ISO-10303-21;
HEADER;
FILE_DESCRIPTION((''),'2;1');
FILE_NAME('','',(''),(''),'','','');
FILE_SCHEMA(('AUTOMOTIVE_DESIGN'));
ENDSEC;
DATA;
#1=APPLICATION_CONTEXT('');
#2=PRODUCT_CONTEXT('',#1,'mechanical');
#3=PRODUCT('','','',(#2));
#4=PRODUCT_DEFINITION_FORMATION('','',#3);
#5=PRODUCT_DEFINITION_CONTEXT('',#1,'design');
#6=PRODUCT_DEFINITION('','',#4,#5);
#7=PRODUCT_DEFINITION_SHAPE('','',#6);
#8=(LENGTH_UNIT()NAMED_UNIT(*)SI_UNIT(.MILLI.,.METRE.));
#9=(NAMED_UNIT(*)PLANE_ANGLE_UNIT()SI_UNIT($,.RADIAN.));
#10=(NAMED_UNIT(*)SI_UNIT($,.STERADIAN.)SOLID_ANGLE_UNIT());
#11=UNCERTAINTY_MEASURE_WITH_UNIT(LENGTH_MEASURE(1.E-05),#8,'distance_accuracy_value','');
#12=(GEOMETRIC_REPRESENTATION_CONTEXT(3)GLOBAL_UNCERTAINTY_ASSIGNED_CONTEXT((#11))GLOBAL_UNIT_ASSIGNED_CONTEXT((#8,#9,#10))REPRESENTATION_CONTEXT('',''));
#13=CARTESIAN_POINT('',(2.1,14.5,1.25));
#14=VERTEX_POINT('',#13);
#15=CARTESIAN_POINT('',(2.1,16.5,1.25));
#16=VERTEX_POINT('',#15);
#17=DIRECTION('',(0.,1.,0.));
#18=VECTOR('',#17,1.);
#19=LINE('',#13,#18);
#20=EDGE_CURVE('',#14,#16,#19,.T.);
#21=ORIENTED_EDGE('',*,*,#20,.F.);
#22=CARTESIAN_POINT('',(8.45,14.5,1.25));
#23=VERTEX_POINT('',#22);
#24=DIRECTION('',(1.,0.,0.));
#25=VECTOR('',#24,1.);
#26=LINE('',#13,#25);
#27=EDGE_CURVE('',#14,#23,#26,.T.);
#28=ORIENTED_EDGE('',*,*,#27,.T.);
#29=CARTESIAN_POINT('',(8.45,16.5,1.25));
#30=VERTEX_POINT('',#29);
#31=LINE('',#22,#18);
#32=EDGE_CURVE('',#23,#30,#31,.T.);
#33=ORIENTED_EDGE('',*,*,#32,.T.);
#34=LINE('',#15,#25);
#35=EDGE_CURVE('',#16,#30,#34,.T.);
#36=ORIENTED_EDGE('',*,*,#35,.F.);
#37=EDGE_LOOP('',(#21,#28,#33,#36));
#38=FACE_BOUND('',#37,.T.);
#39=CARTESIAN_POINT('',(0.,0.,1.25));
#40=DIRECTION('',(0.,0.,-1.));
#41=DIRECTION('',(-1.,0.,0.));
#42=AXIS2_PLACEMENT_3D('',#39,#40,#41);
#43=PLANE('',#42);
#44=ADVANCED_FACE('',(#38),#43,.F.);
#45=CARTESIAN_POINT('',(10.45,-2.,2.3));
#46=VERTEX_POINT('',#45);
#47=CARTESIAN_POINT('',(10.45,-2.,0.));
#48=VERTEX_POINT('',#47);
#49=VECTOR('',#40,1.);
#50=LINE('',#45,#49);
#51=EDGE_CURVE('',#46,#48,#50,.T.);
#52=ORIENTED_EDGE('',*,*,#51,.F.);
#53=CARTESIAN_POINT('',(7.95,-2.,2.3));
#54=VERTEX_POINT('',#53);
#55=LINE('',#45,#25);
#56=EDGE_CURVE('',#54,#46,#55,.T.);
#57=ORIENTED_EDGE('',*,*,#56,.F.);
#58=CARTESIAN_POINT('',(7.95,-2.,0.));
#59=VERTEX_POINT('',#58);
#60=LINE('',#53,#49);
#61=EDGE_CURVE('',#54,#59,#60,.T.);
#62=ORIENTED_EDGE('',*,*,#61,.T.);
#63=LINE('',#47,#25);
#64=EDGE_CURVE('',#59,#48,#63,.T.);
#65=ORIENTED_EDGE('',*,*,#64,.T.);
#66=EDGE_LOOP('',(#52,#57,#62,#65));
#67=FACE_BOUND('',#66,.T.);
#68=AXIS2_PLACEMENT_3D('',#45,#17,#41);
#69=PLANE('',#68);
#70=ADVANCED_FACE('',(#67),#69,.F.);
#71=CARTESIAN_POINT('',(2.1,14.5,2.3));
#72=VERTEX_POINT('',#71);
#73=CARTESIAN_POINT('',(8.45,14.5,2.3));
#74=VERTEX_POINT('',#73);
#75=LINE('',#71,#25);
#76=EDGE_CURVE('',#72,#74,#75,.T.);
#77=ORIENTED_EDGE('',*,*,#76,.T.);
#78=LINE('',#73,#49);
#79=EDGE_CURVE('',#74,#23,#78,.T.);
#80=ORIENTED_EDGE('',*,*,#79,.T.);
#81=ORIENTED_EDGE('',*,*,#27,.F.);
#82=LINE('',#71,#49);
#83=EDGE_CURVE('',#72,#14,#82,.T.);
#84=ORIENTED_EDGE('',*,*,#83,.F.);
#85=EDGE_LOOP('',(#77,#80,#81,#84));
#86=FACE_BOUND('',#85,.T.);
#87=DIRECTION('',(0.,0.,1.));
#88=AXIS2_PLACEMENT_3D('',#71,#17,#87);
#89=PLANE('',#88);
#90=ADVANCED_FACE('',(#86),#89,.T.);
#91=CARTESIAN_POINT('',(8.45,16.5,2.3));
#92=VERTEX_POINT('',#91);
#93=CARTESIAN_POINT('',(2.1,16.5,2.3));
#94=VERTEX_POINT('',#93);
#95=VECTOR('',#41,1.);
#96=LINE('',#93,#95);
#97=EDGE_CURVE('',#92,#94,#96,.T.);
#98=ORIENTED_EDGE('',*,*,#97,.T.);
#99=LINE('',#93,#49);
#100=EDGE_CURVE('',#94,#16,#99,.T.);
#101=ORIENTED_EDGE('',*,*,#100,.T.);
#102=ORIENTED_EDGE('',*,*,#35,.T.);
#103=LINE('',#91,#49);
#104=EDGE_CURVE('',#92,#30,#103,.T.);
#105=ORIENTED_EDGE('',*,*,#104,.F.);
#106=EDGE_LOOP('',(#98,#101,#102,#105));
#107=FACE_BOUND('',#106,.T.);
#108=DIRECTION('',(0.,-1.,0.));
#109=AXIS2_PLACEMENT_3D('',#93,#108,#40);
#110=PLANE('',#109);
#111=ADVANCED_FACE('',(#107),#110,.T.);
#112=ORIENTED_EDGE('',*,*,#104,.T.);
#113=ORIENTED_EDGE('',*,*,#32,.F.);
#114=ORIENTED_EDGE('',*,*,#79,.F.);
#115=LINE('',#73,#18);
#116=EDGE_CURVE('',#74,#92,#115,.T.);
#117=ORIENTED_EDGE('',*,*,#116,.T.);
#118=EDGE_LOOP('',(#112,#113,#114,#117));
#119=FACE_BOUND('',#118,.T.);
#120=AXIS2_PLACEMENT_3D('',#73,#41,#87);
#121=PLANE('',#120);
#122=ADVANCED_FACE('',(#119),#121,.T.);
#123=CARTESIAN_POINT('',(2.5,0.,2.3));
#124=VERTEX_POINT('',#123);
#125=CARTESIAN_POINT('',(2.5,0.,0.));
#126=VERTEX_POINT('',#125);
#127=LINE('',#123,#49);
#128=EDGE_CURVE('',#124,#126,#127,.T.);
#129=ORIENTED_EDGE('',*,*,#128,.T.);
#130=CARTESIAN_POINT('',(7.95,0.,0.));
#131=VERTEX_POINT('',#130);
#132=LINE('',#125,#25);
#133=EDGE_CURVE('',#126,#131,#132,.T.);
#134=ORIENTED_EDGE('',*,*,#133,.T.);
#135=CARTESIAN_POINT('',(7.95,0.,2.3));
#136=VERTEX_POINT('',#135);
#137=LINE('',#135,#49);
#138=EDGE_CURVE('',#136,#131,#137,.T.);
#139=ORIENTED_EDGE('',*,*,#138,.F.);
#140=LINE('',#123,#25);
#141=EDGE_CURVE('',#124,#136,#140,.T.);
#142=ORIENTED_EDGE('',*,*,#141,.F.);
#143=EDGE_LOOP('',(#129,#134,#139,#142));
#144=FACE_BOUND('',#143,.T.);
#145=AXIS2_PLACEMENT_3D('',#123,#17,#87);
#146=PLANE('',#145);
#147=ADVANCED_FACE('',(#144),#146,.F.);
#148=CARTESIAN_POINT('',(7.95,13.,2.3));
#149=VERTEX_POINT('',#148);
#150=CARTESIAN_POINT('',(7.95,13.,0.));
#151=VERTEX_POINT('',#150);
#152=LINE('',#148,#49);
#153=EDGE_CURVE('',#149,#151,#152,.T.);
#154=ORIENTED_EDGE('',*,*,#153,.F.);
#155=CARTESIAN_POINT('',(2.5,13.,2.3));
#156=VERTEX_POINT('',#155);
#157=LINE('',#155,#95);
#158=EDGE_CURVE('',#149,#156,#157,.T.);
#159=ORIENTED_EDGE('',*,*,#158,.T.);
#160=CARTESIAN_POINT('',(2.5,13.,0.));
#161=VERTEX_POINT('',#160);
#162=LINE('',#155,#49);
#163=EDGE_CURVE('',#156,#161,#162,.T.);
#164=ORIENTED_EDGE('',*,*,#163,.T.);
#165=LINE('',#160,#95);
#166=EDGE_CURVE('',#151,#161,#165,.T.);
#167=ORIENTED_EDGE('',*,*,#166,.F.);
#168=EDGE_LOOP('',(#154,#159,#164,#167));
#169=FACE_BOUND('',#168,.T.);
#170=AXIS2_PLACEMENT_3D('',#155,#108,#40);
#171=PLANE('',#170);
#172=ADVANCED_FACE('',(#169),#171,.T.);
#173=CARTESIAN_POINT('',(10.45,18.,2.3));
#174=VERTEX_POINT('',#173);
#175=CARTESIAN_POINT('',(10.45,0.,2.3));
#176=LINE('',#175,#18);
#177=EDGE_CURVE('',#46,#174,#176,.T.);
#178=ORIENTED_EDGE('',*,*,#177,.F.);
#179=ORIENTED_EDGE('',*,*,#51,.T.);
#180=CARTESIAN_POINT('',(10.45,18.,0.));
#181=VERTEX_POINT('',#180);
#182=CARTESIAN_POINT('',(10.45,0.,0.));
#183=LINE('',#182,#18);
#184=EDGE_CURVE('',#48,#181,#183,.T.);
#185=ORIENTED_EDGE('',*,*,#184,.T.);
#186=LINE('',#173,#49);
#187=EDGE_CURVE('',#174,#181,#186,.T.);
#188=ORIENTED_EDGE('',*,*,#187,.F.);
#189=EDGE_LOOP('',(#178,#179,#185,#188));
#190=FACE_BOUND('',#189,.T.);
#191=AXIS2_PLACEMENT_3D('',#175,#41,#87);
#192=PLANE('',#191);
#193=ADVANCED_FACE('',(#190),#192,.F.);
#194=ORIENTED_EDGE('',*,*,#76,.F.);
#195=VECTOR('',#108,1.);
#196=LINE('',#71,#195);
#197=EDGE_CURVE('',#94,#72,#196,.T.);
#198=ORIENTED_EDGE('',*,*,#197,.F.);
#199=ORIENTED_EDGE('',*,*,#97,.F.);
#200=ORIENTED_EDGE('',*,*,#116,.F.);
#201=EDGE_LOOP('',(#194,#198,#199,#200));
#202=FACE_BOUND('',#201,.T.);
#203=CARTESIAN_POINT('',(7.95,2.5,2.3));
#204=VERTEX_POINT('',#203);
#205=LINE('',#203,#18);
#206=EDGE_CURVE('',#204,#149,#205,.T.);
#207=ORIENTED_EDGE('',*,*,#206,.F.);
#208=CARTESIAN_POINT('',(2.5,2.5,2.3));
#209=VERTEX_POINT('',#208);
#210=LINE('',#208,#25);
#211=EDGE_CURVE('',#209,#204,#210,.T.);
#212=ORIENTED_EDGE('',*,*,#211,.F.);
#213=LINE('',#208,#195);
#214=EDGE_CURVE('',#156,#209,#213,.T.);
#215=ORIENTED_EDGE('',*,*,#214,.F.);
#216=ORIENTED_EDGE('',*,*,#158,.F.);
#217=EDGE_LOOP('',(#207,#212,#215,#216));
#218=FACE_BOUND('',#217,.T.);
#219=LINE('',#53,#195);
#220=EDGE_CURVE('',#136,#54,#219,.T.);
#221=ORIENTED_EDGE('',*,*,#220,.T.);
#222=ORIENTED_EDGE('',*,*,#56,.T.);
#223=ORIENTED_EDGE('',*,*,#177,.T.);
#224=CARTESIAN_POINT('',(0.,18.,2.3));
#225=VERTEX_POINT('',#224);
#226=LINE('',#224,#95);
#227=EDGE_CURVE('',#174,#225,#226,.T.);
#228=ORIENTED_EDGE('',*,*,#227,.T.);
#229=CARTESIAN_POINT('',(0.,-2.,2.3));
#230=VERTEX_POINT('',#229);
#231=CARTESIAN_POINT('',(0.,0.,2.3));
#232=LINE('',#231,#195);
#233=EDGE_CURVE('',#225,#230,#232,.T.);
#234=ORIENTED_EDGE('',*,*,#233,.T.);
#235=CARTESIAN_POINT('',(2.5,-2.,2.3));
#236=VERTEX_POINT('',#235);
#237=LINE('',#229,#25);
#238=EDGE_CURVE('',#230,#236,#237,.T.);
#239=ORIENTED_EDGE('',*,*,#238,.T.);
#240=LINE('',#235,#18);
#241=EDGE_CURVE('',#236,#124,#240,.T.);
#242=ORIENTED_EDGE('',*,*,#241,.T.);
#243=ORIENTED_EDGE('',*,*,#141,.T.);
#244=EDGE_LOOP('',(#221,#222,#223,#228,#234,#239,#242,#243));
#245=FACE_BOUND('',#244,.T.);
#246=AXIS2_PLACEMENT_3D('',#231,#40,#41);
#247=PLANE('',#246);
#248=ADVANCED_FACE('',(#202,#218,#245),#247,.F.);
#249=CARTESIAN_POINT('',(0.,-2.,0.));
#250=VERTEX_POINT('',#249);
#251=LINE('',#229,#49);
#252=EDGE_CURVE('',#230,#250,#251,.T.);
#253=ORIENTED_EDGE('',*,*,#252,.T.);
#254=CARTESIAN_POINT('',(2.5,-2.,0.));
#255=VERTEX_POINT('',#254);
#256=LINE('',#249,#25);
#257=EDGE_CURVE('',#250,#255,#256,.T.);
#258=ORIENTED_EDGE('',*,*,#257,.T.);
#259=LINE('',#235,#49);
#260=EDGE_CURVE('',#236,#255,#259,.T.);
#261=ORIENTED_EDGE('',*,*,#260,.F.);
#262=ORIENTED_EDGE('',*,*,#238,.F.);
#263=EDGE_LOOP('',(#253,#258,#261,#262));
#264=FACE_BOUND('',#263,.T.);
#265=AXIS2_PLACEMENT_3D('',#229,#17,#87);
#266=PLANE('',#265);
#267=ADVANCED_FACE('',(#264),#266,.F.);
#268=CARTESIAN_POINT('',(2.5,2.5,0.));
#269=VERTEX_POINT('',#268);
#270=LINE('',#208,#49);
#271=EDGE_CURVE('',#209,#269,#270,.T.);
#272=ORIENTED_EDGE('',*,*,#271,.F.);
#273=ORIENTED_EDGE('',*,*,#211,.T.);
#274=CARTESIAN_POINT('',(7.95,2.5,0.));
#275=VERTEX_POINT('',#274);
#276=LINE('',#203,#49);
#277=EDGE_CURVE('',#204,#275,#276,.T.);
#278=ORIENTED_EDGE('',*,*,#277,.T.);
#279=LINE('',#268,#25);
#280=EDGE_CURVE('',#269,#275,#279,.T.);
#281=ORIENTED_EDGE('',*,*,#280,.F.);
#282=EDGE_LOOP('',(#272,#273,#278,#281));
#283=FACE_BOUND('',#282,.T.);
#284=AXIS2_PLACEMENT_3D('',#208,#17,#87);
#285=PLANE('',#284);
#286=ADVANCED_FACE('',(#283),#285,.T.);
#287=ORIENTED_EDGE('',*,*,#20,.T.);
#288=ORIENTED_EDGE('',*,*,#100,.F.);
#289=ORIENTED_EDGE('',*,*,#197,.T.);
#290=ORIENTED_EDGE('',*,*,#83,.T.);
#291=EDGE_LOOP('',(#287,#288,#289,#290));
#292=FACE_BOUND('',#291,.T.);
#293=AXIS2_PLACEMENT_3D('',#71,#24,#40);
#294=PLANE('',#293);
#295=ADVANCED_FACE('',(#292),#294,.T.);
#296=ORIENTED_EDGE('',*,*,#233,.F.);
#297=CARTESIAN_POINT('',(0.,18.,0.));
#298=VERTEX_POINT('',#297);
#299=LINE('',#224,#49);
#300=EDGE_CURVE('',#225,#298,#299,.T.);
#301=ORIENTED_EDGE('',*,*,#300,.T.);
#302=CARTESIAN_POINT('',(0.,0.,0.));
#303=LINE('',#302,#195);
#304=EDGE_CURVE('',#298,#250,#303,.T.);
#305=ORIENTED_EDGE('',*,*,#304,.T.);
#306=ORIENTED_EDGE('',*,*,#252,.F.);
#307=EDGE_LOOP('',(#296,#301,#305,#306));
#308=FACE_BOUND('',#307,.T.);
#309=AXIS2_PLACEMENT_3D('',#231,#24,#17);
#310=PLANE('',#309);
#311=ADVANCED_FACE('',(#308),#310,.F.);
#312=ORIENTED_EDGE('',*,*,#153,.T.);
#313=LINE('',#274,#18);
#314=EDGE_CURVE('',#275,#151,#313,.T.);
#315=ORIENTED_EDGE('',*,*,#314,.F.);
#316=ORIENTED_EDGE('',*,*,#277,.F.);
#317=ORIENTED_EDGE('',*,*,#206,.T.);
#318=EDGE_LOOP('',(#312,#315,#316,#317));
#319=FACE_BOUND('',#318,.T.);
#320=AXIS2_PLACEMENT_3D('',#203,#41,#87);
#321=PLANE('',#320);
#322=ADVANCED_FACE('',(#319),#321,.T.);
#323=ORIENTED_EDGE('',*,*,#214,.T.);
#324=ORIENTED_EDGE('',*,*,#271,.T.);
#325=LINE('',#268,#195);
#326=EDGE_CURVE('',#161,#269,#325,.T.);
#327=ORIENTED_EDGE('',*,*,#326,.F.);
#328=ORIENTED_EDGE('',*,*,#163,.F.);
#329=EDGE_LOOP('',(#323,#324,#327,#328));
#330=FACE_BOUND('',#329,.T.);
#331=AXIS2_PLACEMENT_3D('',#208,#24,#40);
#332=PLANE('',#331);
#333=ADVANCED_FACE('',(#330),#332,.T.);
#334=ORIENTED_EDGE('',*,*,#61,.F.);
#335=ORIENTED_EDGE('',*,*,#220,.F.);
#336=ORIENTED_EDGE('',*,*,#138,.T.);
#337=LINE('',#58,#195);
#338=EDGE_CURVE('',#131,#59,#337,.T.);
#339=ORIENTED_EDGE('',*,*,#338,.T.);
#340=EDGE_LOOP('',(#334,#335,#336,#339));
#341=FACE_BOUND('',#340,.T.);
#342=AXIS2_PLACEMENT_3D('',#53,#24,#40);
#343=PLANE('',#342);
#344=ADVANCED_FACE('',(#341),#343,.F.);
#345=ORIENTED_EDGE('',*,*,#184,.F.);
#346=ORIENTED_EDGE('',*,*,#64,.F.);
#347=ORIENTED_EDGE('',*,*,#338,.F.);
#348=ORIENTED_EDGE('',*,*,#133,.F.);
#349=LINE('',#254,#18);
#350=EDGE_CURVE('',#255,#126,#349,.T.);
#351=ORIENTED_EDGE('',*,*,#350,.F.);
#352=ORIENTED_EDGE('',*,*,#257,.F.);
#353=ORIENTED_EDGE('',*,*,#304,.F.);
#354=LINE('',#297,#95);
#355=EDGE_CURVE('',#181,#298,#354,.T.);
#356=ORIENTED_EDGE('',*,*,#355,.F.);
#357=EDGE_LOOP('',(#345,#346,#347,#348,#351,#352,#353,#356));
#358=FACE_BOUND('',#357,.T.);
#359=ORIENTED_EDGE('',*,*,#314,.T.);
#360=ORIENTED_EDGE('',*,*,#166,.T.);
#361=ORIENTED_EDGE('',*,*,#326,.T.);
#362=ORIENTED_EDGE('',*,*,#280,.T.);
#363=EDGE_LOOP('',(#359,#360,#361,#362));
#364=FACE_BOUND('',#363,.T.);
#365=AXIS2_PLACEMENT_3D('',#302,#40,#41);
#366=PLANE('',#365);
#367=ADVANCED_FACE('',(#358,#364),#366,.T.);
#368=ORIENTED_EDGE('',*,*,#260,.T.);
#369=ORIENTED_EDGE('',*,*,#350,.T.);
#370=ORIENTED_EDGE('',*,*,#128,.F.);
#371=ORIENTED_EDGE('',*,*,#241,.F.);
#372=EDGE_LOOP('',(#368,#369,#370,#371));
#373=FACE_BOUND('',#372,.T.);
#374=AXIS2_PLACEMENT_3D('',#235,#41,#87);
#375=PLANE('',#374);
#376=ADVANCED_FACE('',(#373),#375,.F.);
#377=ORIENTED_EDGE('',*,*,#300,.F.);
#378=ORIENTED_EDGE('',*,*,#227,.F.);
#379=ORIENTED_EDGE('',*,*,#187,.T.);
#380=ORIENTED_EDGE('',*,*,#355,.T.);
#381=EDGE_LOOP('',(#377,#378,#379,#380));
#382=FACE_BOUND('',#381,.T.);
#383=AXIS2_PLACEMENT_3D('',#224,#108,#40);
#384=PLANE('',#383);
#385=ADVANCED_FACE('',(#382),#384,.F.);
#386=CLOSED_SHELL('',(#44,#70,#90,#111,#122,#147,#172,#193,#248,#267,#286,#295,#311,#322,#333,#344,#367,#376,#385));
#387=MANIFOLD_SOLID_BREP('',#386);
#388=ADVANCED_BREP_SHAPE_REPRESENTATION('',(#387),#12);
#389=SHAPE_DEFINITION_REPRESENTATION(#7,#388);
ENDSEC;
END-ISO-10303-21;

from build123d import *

# Parameters (mm, degrees)
SKETCH1_W           = 5.45
SKETCH1_H           = 10.5
SKETCH1_W_2         = 6.35
SKETCH1_H_2         = 2
BOSS_EXTRUDE1_DEPTH = 2.3
SKETCH1_2_W         = 6.35
SKETCH1_2_H         = 2
BOSS_EXTRUDE2_DEPTH = 1.25


with BuildPart() as part:
    # Sketch1 → Boss-Extrude1 (new body)
    with BuildSketch(Plane.XY):
        Polygon((0, 0), (0, -2), (2.5, -2), (2.5, 0), (7.95, 0), (7.95, -2), (10.45, -2), (10.45, 0), (10.45, 18), (0, 18), align=None)
        with Locations((5.225, 7.75)):
            Rectangle(SKETCH1_W, SKETCH1_H, mode=Mode.SUBTRACT)
        with Locations((5.275, 15.5)):
            Rectangle(SKETCH1_W_2, SKETCH1_H_2, mode=Mode.SUBTRACT)
    extrude(amount=BOSS_EXTRUDE1_DEPTH)

    # Sketch1<2> → Boss-Extrude2 (add)
    with BuildSketch(Plane.XY):
        with Locations((5.275, 15.5)):
            Rectangle(SKETCH1_2_W, SKETCH1_2_H)
    extrude(amount=BOSS_EXTRUDE2_DEPTH)


solid = part.part
